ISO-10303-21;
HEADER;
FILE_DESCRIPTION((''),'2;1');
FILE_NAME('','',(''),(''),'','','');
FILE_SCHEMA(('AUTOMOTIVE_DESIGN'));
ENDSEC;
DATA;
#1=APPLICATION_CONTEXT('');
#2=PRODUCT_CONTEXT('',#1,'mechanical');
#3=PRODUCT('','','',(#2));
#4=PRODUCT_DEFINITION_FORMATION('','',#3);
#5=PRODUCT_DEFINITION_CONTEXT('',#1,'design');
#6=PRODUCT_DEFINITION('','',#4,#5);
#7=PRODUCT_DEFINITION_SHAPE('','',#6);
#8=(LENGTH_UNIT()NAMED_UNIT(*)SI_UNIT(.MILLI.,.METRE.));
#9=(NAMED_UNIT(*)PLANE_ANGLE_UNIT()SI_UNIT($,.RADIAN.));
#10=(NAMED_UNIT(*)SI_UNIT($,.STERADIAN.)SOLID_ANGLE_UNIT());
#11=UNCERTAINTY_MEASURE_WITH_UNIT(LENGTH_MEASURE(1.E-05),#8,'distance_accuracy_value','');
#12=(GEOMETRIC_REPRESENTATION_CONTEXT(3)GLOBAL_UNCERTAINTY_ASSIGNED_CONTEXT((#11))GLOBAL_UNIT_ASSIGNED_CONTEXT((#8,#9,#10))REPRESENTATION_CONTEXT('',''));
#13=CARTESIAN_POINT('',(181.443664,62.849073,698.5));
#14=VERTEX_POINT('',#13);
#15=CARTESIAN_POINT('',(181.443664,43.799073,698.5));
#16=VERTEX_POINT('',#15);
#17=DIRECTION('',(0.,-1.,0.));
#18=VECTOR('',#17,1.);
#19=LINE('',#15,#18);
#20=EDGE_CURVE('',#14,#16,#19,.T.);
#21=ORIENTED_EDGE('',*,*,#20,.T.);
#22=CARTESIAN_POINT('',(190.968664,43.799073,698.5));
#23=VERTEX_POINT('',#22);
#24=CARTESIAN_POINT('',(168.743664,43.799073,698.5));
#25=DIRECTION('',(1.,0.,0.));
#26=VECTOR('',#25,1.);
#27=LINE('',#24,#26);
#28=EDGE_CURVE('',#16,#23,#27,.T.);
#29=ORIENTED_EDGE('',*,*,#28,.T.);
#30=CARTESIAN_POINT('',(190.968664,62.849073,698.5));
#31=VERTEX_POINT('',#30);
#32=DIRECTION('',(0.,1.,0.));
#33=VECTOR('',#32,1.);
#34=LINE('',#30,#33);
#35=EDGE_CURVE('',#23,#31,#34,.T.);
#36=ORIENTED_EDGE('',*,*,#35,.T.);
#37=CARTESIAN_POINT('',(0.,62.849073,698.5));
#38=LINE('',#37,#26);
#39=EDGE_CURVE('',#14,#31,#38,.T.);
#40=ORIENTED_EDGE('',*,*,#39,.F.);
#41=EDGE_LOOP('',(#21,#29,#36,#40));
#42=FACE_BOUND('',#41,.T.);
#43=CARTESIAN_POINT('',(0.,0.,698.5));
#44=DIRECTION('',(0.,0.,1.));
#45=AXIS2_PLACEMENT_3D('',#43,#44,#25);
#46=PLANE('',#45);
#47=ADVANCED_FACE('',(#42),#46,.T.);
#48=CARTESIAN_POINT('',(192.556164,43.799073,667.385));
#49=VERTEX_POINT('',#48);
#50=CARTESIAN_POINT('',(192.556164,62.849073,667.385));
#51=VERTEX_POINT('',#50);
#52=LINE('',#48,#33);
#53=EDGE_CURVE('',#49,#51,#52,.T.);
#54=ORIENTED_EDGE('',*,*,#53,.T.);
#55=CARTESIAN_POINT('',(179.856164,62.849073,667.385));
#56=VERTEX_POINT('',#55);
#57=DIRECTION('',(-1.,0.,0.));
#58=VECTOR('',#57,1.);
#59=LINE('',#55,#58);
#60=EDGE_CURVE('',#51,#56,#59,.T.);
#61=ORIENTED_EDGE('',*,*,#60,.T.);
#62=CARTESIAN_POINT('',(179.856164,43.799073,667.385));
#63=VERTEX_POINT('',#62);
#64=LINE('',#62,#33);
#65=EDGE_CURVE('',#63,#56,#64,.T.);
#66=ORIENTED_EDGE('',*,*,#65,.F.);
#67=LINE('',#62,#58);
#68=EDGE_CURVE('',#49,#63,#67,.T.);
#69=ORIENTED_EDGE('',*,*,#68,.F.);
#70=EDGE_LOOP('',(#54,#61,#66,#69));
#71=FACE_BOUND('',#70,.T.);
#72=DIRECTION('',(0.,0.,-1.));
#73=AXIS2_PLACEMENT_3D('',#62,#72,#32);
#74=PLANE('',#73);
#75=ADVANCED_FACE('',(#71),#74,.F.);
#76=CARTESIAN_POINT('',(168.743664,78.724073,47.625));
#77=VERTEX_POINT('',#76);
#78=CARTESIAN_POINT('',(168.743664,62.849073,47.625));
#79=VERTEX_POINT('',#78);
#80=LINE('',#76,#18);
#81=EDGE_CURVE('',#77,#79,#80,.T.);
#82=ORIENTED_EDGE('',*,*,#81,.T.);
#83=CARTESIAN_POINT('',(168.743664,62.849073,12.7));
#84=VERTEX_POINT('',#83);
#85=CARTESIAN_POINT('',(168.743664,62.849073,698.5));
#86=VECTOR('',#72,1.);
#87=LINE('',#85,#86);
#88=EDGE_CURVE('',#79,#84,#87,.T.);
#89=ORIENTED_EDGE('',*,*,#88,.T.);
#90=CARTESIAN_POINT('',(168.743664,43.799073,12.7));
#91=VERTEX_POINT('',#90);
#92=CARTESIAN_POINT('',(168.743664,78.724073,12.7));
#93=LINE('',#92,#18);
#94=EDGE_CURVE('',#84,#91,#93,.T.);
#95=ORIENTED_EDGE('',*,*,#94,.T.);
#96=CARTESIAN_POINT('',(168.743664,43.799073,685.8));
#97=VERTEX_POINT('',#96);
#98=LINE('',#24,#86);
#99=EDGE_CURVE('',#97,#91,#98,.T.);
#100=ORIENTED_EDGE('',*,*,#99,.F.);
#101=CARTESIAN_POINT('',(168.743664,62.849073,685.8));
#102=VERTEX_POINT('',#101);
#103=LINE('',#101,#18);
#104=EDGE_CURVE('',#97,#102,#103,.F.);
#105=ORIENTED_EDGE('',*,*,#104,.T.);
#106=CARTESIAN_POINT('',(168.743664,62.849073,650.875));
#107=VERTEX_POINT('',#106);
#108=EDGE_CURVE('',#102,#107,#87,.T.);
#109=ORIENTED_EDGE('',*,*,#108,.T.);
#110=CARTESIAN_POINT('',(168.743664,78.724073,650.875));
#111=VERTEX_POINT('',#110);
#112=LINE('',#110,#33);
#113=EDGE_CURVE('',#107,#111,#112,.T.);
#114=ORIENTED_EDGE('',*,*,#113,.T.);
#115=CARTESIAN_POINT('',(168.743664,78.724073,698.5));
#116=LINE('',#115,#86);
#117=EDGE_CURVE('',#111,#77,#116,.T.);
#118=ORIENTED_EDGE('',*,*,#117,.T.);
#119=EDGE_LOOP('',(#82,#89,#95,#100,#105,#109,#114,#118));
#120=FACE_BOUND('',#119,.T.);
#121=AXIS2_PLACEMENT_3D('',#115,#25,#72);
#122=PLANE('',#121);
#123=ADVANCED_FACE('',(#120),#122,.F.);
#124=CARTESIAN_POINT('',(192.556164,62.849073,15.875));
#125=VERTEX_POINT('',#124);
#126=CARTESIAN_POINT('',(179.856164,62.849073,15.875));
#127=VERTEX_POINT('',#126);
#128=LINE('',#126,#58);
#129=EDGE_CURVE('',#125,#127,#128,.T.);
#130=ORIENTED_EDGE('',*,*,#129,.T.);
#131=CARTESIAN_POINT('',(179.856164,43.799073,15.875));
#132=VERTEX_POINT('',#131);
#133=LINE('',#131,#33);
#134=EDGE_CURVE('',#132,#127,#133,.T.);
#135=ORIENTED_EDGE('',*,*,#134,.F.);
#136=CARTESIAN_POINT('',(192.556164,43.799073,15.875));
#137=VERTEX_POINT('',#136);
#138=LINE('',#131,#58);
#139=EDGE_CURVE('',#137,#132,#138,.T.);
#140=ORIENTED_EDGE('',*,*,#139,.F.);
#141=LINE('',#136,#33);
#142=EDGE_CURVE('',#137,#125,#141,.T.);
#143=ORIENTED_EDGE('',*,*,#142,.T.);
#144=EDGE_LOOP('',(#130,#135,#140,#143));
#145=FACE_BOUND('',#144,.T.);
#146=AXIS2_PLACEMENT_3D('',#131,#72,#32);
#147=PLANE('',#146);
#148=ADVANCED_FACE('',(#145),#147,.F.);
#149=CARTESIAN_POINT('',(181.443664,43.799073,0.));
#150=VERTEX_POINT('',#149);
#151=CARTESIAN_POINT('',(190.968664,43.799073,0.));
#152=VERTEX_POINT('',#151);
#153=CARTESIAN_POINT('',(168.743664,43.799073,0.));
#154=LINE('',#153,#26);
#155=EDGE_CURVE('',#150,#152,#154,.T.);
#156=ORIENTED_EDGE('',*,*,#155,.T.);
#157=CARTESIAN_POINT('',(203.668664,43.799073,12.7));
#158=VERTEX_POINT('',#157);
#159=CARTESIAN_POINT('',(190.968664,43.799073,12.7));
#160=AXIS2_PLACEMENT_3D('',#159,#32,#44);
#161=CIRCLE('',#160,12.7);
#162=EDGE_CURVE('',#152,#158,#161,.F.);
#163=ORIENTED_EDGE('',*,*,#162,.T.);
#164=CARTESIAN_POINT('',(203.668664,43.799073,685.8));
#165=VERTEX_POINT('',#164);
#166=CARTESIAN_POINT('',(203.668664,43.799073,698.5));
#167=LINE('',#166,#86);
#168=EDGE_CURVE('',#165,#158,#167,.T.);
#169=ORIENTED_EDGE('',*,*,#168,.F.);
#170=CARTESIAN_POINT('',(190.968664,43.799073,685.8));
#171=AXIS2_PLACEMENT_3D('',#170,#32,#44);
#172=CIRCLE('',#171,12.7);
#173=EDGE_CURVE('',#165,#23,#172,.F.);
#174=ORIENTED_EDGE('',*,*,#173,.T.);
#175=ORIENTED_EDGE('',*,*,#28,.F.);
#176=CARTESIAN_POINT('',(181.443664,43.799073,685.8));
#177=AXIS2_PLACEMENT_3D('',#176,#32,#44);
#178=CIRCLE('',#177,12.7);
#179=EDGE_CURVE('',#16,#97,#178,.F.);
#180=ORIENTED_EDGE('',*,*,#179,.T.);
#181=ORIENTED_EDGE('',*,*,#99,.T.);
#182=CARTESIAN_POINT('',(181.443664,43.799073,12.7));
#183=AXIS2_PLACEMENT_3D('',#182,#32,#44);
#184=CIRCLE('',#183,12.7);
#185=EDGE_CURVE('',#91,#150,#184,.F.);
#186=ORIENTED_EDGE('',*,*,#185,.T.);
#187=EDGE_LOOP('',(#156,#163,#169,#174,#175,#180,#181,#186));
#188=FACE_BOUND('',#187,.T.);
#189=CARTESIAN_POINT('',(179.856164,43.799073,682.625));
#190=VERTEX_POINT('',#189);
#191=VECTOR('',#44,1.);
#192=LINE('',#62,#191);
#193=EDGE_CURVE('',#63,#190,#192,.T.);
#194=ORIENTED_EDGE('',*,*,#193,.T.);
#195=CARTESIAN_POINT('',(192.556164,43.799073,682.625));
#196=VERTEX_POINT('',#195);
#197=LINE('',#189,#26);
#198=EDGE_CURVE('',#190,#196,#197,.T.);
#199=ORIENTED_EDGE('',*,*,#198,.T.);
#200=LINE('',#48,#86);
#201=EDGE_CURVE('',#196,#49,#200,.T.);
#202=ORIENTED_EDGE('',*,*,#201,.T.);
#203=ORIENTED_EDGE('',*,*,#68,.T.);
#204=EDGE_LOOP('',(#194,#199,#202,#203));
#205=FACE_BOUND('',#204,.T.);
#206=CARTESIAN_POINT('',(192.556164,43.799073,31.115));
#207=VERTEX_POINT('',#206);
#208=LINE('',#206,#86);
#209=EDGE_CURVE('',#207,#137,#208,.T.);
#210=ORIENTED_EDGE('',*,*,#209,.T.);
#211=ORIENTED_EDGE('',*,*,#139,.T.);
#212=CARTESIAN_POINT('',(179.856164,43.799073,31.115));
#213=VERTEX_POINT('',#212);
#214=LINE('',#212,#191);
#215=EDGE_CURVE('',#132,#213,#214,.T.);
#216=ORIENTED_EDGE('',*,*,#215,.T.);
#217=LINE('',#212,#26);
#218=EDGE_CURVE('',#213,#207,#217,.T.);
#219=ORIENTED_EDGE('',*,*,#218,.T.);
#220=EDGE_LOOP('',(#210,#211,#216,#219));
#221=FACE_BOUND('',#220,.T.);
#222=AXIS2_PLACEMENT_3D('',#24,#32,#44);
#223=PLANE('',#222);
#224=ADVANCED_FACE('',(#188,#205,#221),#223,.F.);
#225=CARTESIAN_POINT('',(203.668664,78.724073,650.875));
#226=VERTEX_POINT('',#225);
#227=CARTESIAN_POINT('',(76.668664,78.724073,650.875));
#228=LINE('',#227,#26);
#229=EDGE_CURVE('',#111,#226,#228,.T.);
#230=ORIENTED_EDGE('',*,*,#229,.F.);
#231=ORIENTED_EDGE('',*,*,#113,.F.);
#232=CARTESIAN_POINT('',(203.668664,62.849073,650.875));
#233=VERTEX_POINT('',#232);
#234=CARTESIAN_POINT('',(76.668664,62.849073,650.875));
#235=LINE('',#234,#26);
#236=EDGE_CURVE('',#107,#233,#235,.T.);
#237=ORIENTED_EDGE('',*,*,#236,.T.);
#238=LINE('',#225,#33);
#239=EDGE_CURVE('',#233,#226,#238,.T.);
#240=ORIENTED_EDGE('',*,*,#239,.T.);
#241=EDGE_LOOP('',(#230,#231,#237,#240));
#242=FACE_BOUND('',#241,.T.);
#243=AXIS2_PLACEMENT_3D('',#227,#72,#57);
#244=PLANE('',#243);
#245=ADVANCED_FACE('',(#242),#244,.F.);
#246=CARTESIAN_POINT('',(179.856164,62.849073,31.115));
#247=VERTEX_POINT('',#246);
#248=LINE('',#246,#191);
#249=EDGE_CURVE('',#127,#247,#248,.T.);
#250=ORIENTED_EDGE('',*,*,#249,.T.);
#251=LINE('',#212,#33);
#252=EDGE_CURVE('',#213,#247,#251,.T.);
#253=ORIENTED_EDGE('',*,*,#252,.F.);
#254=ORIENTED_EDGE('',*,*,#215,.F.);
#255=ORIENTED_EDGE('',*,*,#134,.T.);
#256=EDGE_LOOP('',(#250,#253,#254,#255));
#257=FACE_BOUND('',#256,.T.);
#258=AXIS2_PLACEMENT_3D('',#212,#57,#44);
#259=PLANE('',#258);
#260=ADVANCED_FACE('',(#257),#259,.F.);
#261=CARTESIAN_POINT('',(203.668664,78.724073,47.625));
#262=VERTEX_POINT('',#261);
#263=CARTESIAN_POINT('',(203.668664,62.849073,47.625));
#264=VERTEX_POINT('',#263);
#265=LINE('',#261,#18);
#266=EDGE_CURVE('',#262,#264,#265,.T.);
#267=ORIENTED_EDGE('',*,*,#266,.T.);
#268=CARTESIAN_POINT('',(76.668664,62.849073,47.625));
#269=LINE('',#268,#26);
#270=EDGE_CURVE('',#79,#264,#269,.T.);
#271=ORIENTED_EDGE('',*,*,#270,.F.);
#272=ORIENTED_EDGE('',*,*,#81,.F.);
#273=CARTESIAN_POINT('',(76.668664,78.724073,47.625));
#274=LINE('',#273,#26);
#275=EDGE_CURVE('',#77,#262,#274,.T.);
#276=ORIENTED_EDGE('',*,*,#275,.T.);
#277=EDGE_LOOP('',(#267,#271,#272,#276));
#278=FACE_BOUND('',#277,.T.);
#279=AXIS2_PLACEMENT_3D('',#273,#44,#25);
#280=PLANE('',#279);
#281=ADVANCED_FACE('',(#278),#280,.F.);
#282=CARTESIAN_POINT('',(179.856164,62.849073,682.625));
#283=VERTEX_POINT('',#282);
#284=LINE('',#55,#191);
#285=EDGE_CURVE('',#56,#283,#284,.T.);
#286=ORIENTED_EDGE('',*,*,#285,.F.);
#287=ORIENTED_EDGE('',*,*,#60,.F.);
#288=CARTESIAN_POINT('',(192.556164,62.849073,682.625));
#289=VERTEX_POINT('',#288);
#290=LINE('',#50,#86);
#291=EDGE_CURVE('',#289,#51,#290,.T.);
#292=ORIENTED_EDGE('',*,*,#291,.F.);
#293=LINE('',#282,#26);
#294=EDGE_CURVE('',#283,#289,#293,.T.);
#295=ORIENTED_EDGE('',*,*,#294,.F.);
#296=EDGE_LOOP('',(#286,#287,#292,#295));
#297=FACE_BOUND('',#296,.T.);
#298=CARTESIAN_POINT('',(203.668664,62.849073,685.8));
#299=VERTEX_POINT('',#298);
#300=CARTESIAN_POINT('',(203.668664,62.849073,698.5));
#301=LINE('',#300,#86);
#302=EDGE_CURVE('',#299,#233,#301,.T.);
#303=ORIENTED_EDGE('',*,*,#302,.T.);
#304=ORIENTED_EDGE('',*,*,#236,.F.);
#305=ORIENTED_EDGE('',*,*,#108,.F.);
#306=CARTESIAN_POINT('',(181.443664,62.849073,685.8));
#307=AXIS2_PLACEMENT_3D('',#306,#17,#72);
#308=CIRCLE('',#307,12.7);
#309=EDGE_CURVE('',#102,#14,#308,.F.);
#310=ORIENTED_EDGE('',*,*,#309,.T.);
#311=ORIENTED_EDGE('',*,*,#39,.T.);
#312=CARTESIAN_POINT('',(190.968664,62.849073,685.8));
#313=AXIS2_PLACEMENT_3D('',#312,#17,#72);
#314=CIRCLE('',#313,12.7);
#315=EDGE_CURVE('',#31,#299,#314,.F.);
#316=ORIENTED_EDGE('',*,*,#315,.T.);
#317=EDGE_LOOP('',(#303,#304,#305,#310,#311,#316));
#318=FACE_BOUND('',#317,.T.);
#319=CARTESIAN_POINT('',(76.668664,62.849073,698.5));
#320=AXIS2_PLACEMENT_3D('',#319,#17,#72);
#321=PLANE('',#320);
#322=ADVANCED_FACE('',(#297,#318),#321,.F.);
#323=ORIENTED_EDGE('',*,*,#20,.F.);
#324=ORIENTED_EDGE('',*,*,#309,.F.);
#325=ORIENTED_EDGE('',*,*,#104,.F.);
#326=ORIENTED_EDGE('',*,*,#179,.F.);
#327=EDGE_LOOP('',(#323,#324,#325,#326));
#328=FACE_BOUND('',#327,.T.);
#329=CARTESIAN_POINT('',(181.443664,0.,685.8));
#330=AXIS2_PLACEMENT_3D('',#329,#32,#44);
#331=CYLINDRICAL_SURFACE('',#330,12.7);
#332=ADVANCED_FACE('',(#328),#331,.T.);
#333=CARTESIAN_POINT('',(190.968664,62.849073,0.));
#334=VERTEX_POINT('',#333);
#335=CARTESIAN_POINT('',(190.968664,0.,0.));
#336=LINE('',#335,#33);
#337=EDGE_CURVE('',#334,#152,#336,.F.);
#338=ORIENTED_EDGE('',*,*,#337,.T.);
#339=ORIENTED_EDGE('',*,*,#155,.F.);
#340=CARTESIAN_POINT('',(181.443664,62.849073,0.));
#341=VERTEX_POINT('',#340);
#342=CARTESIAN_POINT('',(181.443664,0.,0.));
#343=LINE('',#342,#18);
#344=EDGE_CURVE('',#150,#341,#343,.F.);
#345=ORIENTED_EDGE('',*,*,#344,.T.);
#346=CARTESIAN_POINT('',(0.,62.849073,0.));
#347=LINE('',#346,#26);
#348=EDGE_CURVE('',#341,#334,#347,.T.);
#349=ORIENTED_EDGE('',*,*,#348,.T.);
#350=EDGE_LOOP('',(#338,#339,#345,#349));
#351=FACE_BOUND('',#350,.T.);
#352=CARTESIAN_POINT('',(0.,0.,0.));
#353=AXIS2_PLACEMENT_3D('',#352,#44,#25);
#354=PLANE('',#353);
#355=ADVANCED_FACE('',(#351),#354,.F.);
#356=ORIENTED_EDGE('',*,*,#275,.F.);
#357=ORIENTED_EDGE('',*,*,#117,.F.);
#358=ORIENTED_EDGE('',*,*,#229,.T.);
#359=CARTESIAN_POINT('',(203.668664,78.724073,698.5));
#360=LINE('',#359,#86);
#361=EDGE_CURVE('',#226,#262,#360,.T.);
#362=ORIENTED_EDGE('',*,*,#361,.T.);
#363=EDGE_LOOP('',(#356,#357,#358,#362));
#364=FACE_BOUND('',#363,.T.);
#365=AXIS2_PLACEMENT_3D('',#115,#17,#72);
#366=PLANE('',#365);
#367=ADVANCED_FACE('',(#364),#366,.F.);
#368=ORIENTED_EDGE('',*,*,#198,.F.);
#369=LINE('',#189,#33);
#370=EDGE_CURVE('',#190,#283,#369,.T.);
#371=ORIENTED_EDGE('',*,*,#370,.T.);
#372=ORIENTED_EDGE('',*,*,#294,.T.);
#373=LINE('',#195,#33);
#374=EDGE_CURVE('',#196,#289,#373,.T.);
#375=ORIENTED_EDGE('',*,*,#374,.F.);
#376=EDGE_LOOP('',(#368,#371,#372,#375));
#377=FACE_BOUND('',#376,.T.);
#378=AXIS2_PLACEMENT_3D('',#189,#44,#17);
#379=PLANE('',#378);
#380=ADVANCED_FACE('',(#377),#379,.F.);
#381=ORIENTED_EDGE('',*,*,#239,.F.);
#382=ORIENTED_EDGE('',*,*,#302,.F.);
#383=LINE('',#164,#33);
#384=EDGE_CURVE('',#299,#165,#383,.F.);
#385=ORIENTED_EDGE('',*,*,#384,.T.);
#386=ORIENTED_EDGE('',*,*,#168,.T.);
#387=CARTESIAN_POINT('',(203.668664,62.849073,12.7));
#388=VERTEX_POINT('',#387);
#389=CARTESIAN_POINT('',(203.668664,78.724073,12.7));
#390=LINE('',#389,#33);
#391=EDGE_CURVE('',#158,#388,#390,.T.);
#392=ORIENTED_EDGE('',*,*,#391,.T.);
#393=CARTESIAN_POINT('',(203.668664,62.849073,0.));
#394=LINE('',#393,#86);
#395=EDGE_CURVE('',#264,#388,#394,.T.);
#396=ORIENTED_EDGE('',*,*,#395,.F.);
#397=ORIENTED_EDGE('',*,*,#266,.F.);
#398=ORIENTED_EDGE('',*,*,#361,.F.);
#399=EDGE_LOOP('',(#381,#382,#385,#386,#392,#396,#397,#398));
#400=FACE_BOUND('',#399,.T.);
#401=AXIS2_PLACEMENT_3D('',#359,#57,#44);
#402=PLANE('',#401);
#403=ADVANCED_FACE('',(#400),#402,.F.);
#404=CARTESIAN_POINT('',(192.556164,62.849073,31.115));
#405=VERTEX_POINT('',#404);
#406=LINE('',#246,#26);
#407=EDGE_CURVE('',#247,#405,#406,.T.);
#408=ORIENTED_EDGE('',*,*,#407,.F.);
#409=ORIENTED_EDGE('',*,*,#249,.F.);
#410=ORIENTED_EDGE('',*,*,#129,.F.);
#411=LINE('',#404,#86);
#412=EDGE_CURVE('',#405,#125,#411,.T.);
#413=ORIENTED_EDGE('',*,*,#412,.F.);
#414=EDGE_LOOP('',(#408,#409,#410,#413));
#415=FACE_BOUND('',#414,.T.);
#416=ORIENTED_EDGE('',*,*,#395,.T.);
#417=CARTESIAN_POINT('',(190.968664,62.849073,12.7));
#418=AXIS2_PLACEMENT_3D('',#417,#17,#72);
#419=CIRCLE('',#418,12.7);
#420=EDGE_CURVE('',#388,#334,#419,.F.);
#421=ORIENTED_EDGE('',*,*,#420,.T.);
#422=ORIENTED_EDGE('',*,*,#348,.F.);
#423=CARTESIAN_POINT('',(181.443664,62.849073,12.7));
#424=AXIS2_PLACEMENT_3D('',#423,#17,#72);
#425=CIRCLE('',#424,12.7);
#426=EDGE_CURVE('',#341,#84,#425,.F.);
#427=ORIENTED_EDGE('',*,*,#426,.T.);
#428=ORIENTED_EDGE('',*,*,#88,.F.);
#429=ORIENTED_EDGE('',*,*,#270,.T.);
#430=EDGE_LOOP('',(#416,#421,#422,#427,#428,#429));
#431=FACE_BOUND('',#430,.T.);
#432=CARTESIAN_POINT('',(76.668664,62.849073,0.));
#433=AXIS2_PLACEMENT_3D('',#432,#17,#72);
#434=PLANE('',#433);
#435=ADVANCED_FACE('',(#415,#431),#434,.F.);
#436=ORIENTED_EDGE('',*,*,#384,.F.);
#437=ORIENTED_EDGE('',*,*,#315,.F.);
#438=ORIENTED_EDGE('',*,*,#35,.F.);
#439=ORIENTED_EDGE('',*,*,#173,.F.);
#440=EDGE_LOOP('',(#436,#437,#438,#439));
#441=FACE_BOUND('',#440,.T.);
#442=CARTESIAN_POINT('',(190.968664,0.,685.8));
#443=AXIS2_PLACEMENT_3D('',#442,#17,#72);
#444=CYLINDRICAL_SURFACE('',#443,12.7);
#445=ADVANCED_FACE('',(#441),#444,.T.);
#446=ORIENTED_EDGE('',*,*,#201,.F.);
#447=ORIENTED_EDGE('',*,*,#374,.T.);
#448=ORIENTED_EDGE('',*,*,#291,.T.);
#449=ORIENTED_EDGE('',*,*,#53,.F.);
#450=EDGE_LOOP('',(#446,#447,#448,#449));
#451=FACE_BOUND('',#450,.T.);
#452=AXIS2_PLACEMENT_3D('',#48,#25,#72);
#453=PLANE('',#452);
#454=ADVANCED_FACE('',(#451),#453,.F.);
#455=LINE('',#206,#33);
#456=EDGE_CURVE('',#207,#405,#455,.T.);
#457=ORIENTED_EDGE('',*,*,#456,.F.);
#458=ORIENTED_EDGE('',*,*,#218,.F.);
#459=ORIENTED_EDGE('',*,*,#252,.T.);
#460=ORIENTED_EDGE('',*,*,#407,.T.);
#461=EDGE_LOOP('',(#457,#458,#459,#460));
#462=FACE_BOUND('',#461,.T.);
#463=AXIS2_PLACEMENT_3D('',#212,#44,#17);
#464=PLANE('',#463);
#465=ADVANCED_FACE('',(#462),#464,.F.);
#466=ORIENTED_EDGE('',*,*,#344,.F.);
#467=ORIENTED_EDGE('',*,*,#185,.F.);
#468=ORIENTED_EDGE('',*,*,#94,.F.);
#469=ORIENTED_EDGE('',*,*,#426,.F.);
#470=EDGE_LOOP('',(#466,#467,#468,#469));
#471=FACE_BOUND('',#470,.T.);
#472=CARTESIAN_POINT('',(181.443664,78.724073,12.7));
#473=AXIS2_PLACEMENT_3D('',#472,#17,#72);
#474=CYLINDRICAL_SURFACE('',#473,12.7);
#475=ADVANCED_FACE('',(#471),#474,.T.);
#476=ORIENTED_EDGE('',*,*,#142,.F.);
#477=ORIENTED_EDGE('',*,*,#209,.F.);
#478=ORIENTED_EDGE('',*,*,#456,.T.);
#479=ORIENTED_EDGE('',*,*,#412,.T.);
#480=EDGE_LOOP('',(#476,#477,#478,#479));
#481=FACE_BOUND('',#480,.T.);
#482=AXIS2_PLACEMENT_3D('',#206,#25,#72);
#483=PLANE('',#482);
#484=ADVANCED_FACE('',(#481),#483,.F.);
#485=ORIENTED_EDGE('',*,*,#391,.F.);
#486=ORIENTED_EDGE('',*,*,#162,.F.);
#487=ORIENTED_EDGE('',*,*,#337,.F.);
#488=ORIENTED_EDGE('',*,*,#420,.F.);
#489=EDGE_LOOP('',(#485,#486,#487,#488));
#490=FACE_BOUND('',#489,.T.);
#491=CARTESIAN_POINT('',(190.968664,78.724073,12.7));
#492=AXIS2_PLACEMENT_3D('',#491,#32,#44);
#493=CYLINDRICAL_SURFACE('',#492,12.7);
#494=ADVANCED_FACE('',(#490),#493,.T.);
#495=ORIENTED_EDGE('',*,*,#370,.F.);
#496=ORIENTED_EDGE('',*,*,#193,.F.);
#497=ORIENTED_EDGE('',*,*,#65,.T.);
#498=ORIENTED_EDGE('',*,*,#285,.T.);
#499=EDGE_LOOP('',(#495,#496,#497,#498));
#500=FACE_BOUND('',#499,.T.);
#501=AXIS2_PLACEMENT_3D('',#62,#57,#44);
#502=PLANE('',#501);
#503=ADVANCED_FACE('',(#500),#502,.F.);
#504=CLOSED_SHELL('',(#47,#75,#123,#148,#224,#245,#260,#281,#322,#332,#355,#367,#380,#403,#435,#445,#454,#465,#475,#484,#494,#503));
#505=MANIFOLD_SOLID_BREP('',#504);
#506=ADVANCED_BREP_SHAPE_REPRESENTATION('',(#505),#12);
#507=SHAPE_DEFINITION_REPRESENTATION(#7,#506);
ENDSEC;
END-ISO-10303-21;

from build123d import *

# Parameters (mm, degrees)
SKETCH1_W           = 34.925
SKETCH1_H           = 34.925
BOSS_EXTRUDE1_DEPTH = 698.5
SKETCH2_W           = 47.625
SKETCH2_H           = 15.875
CUT_EXTRUDE1_DEPTH  = 127
SKETCH3_W           = 12.7
SKETCH3_H           = 15.24
CUT_EXTRUDE2_DEPTH  = 728.836573147
FILLET1_R           = 12.7


with BuildPart() as part:
    # Sketch1 → Boss-Extrude1 (new body)
    with BuildSketch(Plane.XY):
        with Locations((186.206164037, 61.261572703)):
            Rectangle(SKETCH1_W, SKETCH1_H)
    extrude(amount=BOSS_EXTRUDE1_DEPTH)

    # Sketch2 → Cut-Extrude1 (cut)
    with BuildSketch(Plane(origin=(203.668664037, 0, 0), x_dir=(0, 0, -1), z_dir=(1, 0, 0))):
        with Locations((-23.8125, 70.786572703)):
            Rectangle(SKETCH2_W, SKETCH2_H)
        with Locations((-674.6875, 70.786572703)):
            Rectangle(SKETCH2_W, SKETCH2_H)
    extrude(amount=-CUT_EXTRUDE1_DEPTH, mode=Mode.SUBTRACT)

    # Sketch3 → Cut-Extrude2 (cut, through all)
    with BuildSketch(Plane(origin=(0, 62.849072703, 0), x_dir=(1, 0, 0), z_dir=(0, 1, 0))):
        with Locations((186.206164037, -675.005)):
            Rectangle(SKETCH3_W, SKETCH3_H)
        with Locations((186.206164037, -23.495)):
            Rectangle(SKETCH3_W, SKETCH3_H)
    extrude(amount=-CUT_EXTRUDE2_DEPTH, mode=Mode.SUBTRACT)

    # Fillet1
    fillet1_edges = [part.edges().sort_by_distance(p)[0] for p in [
        (203.668664037, 53.324072703, 698.5),
        (168.743664037, 53.324072703, 698.5),
        (168.743664037, 53.324072703, 0),
        (203.668664037, 53.324072703, 0),
    ]]
    fillet(fillet1_edges, radius=FILLET1_R)


solid = part.part
